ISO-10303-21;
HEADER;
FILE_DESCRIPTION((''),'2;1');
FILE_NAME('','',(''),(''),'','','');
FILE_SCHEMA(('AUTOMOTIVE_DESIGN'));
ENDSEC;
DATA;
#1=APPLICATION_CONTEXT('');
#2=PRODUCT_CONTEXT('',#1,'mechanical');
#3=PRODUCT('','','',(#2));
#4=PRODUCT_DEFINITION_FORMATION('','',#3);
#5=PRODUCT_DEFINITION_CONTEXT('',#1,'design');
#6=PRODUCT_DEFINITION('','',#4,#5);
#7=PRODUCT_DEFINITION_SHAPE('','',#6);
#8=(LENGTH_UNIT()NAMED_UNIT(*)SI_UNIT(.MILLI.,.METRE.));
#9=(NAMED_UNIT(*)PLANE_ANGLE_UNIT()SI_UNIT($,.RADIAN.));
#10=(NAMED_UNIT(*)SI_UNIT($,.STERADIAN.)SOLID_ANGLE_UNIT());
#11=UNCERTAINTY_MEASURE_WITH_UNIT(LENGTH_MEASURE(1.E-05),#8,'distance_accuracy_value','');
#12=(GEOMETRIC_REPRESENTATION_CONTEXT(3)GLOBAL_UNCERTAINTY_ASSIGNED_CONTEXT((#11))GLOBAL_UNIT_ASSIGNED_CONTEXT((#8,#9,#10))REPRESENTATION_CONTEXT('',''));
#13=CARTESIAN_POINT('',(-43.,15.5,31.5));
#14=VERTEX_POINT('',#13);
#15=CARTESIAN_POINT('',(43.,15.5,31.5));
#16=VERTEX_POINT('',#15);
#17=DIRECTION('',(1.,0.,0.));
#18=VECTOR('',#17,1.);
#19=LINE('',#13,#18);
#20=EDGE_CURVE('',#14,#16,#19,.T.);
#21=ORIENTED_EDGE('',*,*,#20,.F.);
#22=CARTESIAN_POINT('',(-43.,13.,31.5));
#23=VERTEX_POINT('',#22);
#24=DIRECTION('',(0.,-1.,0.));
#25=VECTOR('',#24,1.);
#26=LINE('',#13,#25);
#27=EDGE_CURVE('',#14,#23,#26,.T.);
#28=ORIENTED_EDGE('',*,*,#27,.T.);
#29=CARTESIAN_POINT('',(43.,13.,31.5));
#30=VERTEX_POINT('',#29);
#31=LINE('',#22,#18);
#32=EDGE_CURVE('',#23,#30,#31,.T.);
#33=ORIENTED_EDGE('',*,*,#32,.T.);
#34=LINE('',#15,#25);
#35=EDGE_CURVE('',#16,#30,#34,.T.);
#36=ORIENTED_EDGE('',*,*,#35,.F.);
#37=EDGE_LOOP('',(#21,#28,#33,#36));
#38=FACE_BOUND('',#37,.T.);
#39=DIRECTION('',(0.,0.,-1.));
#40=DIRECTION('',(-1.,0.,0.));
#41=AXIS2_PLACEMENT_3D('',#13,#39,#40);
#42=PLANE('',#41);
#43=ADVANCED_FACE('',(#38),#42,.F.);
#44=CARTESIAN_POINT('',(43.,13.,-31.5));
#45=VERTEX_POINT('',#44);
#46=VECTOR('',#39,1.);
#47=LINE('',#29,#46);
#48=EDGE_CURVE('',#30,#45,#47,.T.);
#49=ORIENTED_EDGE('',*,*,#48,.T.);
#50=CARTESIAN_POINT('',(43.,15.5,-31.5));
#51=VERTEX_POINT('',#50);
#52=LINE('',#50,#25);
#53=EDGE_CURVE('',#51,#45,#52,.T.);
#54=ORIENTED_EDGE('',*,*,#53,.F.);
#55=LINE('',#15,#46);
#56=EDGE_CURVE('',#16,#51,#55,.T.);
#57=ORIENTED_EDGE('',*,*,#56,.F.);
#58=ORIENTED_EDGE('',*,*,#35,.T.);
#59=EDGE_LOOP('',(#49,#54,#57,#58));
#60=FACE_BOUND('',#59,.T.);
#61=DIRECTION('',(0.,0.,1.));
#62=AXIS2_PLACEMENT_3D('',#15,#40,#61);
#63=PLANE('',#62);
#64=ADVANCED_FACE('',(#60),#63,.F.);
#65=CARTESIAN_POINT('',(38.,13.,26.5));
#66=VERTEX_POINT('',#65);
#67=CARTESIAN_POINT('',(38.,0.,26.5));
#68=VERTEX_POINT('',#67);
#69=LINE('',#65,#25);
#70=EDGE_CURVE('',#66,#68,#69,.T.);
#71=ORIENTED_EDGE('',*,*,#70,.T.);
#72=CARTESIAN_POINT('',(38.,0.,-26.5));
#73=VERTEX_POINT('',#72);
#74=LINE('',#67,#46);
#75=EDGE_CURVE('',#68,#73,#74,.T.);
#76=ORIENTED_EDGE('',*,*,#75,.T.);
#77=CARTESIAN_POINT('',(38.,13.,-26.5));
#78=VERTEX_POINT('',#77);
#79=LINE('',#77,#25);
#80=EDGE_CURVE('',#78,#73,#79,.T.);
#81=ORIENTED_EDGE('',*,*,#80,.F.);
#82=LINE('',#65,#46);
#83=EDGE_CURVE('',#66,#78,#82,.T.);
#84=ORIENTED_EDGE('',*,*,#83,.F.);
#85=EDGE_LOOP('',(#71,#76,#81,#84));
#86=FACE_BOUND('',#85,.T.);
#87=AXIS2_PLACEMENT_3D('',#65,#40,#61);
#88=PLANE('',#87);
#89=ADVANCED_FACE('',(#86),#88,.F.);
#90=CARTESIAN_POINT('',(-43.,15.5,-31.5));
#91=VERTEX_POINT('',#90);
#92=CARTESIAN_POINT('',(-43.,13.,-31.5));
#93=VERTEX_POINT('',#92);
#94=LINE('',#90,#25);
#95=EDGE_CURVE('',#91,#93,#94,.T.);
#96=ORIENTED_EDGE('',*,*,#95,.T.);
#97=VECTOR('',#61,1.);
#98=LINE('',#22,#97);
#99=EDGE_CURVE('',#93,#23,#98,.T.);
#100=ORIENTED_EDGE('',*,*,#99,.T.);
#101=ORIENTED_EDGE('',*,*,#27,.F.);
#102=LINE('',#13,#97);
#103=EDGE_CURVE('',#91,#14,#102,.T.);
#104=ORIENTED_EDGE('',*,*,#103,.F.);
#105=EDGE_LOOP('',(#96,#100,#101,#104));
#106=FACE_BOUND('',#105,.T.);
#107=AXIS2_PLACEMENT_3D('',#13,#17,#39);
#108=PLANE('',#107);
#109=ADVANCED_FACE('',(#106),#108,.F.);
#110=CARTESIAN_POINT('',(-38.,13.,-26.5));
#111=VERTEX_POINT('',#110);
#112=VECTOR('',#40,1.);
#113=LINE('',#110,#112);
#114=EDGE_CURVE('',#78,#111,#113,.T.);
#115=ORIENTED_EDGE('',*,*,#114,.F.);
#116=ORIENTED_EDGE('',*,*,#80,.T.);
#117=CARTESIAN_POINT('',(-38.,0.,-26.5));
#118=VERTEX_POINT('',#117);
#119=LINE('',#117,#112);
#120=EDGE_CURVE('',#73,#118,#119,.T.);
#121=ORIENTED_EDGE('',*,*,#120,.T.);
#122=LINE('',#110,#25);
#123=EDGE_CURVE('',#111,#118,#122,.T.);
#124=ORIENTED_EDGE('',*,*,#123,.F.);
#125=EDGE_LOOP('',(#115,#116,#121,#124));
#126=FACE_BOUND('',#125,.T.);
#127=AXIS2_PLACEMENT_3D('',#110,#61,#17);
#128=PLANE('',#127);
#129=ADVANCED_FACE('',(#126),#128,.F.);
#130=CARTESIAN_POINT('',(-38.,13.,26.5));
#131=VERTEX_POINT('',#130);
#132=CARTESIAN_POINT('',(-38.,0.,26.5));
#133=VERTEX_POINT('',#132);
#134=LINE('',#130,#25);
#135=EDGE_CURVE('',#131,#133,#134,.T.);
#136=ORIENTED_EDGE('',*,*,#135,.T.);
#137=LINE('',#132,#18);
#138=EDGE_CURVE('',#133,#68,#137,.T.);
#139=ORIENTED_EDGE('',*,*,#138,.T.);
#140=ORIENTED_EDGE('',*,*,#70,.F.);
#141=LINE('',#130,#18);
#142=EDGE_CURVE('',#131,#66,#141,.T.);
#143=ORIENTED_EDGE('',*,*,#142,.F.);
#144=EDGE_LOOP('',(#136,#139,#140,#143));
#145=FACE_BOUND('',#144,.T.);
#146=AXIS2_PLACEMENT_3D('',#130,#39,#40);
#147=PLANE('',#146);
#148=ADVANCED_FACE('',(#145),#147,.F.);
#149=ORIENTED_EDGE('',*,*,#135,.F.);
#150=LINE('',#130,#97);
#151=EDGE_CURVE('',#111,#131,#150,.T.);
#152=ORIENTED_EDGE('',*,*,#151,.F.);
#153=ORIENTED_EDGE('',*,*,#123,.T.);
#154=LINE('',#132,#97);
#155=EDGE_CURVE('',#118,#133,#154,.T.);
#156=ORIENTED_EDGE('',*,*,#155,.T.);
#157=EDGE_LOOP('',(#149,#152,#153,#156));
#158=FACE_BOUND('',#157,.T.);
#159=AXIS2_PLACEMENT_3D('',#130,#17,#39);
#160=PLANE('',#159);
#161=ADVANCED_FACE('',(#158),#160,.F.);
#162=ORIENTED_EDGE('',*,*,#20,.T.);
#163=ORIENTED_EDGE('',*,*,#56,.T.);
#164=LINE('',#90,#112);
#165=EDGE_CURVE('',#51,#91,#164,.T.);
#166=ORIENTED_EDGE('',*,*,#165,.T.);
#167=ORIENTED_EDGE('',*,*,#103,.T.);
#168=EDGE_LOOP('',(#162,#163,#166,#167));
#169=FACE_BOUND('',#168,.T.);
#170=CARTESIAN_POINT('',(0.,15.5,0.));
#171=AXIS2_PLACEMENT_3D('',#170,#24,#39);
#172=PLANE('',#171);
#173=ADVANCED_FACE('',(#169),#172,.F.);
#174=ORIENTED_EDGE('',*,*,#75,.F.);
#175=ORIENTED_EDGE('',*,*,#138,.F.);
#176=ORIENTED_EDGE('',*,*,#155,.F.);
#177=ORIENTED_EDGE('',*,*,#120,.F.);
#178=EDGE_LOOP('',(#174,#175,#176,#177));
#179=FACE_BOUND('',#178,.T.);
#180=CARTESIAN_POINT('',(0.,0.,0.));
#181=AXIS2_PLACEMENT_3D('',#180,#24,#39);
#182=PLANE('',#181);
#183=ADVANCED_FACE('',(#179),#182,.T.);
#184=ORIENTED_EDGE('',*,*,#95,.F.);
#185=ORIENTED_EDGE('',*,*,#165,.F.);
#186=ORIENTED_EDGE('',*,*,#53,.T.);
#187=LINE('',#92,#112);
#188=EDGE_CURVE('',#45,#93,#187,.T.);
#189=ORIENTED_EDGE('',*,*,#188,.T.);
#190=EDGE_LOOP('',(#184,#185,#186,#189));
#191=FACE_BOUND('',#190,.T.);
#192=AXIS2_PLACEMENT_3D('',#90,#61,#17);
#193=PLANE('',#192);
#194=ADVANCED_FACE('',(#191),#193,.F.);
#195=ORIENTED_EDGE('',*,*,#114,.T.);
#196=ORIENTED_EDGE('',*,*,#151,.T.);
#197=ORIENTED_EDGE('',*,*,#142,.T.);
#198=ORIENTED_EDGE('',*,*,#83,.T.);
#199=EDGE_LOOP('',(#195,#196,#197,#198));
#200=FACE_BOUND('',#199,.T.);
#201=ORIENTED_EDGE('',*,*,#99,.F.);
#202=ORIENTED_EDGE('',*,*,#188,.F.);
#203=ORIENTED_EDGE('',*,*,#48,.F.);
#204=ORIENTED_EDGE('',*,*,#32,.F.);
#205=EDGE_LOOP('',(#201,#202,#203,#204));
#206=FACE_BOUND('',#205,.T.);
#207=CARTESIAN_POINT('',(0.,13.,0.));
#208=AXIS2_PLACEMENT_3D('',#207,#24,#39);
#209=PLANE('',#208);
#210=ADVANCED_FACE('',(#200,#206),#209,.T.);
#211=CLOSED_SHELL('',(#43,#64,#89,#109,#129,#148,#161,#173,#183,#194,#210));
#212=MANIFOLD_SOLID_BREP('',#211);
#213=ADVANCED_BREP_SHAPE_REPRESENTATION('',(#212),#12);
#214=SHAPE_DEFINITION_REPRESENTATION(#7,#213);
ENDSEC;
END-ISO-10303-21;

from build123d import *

# Parameters (mm, degrees)
SKETCH_1_W      = 76
SKETCH_1_H      = 53
EXTRUDE_1_DEPTH = 13
SKETCH_2_W      = 86
SKETCH_2_H      = 63
EXTRUDE_2_DEPTH = 2.5


with BuildPart() as part:
    # 草图1 → 凸台-拉伸1 (new body)
    with BuildSketch(Plane(origin=(0, 0, 0), x_dir=(1, 0, 0), z_dir=(0, 1, 0))):
        Rectangle(SKETCH_1_W, SKETCH_1_H)
    extrude(amount=EXTRUDE_1_DEPTH)

    # 草图2 → 凸台-拉伸2 (add)
    with BuildSketch(Plane(origin=(0, 13, 0), x_dir=(1, 0, 0), z_dir=(0, 1, 0))):
        Rectangle(SKETCH_2_W, SKETCH_2_H)
    extrude(amount=EXTRUDE_2_DEPTH)


solid = part.part
